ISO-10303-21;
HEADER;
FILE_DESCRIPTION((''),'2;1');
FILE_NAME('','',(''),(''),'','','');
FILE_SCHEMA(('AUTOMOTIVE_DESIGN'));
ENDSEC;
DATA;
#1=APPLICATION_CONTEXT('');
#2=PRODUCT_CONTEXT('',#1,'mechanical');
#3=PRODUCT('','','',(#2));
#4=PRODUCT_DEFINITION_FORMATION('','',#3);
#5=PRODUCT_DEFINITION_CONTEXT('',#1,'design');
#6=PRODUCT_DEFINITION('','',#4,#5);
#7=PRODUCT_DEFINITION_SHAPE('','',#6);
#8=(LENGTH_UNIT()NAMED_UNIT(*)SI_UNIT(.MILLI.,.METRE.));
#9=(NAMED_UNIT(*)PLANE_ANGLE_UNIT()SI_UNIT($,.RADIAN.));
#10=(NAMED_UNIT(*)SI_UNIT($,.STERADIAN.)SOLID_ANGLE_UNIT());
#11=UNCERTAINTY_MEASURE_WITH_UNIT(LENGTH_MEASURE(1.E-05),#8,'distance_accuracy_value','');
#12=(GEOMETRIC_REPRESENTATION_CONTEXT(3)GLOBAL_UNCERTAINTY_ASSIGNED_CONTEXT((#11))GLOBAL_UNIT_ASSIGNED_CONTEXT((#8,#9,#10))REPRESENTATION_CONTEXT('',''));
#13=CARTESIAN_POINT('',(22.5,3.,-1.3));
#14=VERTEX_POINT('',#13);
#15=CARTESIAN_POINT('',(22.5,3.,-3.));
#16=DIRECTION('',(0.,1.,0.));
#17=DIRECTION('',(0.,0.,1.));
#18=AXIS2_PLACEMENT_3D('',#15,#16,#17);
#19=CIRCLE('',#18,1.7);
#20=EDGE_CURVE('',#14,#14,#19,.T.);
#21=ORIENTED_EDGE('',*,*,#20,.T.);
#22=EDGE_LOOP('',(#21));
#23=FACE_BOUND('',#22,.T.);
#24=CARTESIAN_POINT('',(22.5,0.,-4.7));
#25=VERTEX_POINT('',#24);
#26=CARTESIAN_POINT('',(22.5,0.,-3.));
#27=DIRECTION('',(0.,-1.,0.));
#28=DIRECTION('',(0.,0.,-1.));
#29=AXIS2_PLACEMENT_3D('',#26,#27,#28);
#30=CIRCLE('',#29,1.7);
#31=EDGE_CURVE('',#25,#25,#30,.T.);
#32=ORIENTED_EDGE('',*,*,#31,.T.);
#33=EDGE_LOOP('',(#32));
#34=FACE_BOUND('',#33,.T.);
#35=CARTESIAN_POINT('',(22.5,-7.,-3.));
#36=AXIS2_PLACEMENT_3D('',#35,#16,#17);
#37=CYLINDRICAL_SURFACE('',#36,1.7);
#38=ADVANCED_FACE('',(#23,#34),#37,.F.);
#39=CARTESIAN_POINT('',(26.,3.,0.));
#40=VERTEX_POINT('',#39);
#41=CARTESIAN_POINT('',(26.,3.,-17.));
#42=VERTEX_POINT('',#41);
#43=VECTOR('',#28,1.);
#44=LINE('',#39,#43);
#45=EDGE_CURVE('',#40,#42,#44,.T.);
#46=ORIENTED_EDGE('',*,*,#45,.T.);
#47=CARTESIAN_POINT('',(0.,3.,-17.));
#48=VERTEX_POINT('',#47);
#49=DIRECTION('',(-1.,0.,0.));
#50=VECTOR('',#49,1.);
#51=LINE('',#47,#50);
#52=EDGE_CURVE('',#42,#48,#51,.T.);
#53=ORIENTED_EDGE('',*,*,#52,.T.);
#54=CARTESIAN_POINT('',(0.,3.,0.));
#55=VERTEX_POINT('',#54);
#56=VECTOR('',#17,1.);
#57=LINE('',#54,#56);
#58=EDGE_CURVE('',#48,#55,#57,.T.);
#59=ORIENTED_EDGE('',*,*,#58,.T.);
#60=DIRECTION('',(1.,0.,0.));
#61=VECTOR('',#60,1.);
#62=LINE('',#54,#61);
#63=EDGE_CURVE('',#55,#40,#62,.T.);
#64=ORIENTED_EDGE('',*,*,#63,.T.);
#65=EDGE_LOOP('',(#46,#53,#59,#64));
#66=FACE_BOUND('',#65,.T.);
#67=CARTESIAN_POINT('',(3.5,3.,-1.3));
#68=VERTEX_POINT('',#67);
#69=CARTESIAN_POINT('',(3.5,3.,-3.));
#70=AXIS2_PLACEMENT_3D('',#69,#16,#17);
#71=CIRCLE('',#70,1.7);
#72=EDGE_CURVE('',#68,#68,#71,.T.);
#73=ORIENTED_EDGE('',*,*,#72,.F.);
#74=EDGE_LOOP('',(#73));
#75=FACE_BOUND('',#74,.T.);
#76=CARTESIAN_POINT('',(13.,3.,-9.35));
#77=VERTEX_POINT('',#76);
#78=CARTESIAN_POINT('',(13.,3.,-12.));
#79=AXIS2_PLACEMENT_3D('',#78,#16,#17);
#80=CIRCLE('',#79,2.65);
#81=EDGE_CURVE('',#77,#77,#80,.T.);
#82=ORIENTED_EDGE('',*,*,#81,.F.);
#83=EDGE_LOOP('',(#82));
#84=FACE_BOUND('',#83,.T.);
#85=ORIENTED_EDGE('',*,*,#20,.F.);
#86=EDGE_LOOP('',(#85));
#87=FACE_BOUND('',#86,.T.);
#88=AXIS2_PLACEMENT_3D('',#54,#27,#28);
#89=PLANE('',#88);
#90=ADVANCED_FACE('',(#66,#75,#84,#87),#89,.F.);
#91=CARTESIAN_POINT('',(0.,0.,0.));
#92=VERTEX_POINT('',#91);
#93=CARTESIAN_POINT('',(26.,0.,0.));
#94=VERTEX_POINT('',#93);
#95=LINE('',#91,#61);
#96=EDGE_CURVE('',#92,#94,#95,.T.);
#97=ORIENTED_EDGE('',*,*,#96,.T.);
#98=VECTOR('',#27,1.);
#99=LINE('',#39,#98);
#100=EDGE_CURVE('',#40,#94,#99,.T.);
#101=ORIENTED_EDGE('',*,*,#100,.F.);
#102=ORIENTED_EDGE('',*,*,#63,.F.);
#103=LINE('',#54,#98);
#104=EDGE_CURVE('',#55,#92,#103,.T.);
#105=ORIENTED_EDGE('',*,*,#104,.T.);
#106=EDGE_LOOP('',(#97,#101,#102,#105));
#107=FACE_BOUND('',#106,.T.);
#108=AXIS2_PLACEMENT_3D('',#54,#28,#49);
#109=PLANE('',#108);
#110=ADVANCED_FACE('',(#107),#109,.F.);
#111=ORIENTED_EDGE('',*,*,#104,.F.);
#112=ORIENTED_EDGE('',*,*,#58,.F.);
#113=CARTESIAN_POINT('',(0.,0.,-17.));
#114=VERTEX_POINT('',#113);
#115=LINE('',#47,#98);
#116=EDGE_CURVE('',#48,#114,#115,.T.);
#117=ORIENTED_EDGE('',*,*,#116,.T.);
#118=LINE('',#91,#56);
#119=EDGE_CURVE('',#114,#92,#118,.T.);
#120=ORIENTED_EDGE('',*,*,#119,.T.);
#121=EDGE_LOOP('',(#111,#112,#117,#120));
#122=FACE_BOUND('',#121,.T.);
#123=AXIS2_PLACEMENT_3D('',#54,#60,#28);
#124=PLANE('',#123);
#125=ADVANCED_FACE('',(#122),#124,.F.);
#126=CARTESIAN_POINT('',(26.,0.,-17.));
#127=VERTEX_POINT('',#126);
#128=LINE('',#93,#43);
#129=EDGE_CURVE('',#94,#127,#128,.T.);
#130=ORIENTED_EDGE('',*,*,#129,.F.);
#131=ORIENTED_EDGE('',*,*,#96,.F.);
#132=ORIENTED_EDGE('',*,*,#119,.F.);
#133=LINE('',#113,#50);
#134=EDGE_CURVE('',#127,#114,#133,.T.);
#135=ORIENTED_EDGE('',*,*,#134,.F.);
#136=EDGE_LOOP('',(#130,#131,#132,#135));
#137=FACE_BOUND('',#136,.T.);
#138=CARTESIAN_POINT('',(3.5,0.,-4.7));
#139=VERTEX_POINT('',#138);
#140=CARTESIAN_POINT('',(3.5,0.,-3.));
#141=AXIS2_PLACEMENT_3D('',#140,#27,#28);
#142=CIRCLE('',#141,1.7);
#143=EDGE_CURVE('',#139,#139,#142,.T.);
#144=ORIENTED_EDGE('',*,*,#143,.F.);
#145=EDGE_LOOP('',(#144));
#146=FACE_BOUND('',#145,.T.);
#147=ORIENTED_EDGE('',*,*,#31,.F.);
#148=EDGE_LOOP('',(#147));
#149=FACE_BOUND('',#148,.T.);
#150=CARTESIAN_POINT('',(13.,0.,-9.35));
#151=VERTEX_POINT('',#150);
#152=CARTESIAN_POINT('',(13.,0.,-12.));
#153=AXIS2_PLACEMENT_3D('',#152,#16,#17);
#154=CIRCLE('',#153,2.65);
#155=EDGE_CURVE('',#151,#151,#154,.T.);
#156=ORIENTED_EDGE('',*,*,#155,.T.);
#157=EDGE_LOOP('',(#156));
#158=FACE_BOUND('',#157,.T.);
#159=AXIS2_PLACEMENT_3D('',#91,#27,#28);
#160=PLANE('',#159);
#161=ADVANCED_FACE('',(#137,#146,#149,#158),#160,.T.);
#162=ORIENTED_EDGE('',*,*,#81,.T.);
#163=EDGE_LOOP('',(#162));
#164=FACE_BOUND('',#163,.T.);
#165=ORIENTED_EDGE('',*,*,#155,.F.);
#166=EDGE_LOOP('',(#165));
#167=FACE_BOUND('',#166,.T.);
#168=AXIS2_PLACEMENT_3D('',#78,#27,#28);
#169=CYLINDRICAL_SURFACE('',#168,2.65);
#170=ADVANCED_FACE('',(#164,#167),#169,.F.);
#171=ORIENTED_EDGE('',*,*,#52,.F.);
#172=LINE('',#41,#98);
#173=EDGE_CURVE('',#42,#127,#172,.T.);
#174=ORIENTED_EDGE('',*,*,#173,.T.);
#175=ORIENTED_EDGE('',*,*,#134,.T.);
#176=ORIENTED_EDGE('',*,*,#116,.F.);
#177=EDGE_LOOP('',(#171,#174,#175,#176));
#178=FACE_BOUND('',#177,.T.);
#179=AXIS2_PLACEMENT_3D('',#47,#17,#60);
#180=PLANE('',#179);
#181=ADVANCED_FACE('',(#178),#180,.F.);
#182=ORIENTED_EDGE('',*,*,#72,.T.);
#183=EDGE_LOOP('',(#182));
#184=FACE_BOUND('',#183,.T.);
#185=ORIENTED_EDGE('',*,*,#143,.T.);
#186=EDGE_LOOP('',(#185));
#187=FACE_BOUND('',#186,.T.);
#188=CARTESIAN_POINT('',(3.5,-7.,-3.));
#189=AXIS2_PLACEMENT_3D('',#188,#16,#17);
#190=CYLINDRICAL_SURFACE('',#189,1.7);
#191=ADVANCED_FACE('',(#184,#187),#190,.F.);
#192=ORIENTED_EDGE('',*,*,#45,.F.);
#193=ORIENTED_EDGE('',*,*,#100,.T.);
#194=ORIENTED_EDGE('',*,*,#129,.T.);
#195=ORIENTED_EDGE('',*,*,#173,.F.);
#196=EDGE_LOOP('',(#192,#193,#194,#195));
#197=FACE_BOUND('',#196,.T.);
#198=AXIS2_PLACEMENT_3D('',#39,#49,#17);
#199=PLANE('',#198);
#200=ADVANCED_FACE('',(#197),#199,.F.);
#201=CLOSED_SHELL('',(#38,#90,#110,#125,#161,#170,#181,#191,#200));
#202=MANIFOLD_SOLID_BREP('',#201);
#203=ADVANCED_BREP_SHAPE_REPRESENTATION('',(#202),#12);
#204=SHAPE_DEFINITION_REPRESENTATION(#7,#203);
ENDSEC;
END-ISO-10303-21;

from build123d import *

# Parameters (mm, degrees)
ESBO_O1_W                = 26
ESBO_O1_H                = 17
ESBO_O1_R                = 2.65
RESSALTO_EXTRUS_O1_DEPTH = 3
ESBO_O2_R                = 1.7
CORTE_EXTRUS_O1_DEPTH    = 10


with BuildPart() as part:
    # Esboço1 → Ressalto-extrusão1 (new body)
    with BuildSketch(Plane(origin=(0, 0, 0), x_dir=(1, 0, 0), z_dir=(0, 1, 0))):
        with Locations((13, 8.5)):
            Rectangle(ESBO_O1_W, ESBO_O1_H)
        with Locations((13, 12)):
            Circle(ESBO_O1_R, mode=Mode.SUBTRACT)
    extrude(amount=RESSALTO_EXTRUS_O1_DEPTH)

    # Esboço2 → Corte-extrusão1 (cut)
    with BuildSketch(Plane(origin=(0, 3, 0), x_dir=(1, 0, 0), z_dir=(0, 1, 0))):
        with Locations((3.5, 3)):
            Circle(ESBO_O2_R)
        with Locations((22.5, 3)):
            Circle(ESBO_O2_R)
    extrude(amount=-CORTE_EXTRUS_O1_DEPTH, mode=Mode.SUBTRACT)


solid = part.part
